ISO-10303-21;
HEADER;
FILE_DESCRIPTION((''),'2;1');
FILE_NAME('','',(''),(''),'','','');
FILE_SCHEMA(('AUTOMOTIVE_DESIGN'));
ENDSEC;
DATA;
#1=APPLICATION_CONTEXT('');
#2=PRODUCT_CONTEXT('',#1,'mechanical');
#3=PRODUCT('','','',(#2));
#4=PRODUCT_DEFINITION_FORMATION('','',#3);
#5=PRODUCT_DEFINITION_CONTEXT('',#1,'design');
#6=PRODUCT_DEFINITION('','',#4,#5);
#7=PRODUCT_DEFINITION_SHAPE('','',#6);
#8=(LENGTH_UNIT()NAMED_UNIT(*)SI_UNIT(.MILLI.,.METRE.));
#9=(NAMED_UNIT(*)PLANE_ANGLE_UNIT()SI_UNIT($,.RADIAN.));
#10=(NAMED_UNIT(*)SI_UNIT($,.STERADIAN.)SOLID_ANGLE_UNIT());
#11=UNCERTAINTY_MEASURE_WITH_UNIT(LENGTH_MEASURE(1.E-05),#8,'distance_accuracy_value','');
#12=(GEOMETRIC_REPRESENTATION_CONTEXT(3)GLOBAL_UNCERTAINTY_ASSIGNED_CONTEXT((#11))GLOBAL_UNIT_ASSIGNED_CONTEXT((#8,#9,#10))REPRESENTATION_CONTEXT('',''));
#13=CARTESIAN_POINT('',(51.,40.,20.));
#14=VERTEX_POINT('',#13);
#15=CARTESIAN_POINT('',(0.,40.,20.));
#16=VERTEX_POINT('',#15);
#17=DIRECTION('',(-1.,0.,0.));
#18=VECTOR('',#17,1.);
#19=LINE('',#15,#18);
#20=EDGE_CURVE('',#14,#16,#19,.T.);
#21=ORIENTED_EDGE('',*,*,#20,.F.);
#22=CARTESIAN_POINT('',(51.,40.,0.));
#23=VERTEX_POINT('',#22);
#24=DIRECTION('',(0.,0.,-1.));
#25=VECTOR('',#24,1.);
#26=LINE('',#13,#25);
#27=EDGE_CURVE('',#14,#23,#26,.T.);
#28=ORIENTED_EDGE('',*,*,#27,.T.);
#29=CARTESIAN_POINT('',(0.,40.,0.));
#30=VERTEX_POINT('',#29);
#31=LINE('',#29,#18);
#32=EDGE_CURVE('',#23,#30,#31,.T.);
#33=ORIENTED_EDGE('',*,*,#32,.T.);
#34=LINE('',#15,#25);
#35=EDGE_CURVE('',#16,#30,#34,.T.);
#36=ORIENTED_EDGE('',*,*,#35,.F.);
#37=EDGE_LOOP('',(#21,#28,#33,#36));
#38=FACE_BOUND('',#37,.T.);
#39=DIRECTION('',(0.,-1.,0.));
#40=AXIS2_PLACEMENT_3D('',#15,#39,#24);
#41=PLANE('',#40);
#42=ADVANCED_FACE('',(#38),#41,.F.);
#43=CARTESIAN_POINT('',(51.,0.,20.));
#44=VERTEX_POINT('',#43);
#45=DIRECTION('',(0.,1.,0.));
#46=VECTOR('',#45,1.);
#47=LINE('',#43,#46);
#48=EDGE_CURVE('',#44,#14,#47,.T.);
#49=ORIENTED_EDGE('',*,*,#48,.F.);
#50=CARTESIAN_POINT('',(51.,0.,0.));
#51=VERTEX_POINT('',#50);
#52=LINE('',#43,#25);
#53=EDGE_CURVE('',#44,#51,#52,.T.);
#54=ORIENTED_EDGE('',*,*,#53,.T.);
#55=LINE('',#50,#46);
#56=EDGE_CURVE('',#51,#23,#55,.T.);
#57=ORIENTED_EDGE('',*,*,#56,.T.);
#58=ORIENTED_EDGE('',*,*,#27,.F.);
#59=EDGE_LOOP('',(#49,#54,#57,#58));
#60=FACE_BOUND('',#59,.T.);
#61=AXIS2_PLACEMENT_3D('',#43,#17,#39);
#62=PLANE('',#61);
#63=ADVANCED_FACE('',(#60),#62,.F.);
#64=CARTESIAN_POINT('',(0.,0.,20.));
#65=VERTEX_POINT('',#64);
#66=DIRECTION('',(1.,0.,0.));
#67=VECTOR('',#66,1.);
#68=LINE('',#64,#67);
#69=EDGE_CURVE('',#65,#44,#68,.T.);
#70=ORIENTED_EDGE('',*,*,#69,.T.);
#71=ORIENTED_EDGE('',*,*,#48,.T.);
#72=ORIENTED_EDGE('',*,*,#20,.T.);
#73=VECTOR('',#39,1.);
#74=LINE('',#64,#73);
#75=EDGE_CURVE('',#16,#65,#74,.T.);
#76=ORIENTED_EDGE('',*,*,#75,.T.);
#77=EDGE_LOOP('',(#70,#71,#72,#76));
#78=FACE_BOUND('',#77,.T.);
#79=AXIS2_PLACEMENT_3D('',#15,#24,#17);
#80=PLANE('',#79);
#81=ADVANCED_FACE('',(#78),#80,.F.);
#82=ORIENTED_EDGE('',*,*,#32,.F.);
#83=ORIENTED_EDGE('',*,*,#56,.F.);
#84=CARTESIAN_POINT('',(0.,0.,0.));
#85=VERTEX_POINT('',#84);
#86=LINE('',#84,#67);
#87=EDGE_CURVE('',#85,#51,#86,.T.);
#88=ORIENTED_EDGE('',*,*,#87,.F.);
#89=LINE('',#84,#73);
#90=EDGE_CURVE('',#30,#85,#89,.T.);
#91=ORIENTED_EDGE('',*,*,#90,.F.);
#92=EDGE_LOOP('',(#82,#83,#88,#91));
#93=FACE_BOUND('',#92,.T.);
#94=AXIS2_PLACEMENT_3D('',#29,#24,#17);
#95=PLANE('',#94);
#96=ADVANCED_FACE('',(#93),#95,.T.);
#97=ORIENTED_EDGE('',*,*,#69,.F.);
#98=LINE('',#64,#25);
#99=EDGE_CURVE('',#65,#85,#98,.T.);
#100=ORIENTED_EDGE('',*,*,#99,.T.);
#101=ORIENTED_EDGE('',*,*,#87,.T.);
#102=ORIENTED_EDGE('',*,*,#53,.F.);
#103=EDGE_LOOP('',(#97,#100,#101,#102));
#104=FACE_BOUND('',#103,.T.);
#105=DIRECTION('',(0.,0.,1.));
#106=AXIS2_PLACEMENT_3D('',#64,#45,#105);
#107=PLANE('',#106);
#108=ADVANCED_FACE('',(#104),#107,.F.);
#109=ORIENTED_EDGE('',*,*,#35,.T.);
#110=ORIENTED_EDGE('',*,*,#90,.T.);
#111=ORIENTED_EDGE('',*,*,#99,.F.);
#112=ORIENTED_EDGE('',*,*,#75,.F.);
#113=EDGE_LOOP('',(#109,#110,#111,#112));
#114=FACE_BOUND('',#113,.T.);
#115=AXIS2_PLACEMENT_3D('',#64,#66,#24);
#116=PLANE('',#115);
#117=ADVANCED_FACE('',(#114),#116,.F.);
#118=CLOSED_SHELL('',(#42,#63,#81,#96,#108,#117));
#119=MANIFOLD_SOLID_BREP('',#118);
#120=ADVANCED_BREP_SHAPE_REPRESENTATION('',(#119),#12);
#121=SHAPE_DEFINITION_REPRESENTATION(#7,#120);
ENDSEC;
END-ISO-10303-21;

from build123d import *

# Parameters (mm, degrees)
ESQUISSE1_W        = 51
ESQUISSE1_H        = 40
BOSS_EXTRU_1_DEPTH = 20


with BuildPart() as part:
    # Esquisse1 → Boss.-Extru.1 (new body)
    with BuildSketch(Plane.XY):
        with Locations((25.5, 20)):
            Rectangle(ESQUISSE1_W, ESQUISSE1_H)
    extrude(amount=BOSS_EXTRU_1_DEPTH)


solid = part.part
